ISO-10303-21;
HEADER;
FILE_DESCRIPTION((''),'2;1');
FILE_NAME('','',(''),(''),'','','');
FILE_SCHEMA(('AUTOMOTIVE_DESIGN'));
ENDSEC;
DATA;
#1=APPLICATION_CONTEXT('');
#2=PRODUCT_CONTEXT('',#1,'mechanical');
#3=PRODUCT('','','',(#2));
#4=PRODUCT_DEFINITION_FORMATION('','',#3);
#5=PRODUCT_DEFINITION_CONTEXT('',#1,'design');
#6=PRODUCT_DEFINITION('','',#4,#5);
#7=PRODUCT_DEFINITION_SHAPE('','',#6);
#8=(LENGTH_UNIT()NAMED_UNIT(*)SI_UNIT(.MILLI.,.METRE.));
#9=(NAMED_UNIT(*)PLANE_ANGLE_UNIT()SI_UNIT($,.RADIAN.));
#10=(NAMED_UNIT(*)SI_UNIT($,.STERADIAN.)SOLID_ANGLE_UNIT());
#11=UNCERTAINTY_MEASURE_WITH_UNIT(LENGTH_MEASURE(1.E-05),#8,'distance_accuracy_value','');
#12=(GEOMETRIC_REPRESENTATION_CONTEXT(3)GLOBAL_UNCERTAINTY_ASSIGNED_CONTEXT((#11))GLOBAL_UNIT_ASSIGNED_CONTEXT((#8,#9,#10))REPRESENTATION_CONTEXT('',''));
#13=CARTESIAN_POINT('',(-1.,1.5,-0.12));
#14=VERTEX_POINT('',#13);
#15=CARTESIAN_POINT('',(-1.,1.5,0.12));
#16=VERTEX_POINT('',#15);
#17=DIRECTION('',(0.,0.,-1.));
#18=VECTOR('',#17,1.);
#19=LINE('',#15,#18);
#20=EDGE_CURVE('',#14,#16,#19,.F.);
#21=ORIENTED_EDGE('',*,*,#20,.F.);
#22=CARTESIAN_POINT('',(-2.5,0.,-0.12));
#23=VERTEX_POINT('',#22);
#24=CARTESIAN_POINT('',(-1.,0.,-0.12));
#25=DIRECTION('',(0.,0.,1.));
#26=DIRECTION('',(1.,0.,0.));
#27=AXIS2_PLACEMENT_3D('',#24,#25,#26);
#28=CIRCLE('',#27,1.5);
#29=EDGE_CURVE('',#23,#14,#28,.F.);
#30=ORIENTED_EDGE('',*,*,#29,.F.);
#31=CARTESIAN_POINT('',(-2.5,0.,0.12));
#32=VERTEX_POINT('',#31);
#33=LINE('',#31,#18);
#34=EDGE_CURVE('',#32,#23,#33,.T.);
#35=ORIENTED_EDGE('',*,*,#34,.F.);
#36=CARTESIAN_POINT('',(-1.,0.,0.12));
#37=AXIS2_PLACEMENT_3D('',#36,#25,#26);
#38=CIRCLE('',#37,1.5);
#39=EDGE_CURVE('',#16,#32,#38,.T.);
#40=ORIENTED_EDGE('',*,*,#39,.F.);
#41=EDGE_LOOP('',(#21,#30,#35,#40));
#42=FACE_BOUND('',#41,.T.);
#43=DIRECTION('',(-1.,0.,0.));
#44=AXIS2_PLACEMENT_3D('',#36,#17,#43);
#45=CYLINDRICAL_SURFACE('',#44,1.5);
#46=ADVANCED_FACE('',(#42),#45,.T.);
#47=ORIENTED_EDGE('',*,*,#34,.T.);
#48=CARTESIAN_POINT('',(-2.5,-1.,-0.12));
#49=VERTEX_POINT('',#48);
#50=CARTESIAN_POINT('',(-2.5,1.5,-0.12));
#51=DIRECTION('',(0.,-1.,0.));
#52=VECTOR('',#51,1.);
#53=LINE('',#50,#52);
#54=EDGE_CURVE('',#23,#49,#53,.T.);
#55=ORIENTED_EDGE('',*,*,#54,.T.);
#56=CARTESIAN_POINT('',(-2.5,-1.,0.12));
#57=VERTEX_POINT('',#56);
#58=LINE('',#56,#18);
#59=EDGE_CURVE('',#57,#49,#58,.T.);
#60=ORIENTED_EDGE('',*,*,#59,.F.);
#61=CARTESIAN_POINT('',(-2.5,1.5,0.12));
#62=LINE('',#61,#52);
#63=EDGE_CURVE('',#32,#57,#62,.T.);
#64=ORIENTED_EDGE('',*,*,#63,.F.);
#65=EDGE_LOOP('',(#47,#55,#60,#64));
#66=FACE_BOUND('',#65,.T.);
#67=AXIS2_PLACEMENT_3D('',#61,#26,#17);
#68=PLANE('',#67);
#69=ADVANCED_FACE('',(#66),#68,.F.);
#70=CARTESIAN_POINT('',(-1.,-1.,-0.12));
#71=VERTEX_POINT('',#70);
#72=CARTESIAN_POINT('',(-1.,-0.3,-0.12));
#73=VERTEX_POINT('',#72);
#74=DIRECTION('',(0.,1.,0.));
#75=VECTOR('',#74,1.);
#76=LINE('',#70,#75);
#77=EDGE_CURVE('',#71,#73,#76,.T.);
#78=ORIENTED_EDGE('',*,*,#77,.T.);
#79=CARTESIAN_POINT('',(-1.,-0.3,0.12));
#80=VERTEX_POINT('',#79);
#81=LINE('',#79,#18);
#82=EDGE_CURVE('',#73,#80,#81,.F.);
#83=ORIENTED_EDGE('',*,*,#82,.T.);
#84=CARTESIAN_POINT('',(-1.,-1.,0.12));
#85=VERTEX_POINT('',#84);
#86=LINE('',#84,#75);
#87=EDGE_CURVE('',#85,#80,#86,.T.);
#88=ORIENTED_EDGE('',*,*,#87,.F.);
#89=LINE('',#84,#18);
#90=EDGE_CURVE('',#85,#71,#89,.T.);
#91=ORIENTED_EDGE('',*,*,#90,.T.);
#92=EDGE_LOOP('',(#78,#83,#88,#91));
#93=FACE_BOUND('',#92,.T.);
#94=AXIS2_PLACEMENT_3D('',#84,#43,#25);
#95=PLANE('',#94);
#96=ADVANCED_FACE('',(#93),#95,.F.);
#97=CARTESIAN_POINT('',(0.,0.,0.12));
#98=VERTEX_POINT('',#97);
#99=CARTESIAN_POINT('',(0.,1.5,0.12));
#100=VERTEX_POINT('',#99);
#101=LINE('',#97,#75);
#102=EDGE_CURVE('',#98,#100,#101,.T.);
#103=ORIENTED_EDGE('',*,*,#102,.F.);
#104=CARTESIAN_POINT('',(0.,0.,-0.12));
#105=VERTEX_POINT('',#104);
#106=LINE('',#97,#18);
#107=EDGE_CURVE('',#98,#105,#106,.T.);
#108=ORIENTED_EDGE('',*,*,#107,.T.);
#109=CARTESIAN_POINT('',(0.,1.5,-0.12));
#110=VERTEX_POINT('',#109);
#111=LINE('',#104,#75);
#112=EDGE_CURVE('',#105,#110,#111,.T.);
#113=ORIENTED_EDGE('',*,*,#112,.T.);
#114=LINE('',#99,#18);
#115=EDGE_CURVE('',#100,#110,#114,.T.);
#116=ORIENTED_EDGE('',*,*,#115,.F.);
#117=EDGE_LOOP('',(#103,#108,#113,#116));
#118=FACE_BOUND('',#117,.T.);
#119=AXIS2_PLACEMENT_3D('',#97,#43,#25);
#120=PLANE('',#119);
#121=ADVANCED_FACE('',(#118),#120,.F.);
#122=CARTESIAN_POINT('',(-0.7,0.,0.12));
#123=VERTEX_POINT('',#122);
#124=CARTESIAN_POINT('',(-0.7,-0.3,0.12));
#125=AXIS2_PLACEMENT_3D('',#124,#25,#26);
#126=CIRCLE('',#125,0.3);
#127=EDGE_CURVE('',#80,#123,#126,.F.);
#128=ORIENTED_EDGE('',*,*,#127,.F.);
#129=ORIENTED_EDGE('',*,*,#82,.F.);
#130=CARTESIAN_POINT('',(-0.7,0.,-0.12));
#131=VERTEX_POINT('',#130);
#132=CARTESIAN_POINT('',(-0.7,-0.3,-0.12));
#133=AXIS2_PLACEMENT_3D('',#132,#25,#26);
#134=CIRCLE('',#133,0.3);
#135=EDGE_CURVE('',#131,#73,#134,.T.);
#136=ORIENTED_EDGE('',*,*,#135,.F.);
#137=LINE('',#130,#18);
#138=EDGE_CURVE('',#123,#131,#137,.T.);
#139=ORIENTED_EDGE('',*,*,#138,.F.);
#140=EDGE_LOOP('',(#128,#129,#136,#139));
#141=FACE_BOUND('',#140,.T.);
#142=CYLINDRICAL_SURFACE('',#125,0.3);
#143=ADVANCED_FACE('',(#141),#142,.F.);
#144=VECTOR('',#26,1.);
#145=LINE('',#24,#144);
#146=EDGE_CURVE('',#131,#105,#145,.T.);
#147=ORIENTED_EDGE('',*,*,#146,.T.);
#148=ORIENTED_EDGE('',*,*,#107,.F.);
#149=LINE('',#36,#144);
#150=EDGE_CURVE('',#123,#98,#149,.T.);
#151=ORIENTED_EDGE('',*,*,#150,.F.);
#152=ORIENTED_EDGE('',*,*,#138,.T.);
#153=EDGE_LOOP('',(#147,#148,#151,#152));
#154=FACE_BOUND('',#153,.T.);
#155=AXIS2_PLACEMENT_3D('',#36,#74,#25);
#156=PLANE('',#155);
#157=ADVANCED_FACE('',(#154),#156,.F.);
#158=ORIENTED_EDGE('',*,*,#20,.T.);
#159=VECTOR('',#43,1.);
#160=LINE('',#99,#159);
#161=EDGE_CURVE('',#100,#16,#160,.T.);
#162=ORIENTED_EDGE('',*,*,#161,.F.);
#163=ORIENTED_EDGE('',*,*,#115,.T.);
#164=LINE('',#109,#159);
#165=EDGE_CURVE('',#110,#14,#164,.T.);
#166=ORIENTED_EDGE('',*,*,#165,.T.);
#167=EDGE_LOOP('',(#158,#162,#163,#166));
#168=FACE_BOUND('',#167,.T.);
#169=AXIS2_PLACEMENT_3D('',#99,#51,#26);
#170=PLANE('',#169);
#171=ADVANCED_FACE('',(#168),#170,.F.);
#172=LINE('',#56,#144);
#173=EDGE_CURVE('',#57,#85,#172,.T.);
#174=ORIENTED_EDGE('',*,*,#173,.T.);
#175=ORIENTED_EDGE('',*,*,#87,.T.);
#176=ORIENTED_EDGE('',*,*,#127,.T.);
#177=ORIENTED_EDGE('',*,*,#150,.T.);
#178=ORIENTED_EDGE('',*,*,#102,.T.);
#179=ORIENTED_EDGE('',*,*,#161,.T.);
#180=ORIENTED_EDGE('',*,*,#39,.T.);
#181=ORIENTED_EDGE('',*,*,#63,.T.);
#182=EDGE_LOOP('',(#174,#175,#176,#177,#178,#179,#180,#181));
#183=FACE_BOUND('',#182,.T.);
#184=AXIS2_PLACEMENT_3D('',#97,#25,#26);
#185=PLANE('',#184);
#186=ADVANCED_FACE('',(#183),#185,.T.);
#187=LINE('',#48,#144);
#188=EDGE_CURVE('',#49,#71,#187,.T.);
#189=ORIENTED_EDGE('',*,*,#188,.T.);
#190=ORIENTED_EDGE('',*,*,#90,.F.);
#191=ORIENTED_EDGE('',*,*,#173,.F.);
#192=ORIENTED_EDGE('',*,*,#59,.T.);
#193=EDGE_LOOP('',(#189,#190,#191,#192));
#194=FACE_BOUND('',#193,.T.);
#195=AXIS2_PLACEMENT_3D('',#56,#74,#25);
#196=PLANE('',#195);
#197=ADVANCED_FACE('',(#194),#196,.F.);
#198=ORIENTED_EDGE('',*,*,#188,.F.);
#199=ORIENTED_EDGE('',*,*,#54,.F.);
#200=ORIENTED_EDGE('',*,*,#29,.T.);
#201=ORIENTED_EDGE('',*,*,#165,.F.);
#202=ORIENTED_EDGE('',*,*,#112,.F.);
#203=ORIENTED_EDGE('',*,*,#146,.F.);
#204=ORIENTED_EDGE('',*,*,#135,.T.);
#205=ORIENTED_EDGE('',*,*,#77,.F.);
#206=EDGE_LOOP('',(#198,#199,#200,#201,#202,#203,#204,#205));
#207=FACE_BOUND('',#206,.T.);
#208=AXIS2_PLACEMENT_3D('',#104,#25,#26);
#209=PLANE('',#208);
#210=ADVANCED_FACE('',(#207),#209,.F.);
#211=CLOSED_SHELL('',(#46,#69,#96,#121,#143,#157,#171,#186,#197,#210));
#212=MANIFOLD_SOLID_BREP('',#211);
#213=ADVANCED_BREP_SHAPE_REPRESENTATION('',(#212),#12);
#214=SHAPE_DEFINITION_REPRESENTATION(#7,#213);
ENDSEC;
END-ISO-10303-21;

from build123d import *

# Parameters (mm, degrees)
BOSS_EXTRUDE1_DEPTH = 0.12
FILLET1_R           = 1.5
FILLET2_R           = 0.3


with BuildPart() as part:
    # Sketch1 → Boss-Extrude1 (new, symmetric)
    with BuildSketch(Plane.XY):
        Polygon((0, 0), (0, 1.5), (-2.5, 1.5), (-2.5, -1), (-1, -1), (-1, 0), align=None)
    extrude(amount=BOSS_EXTRUDE1_DEPTH, both=True)

    # Fillet1
    fillet1_edges = [part.edges().sort_by_distance(p)[0] for p in [
        (-2.5, 1.5, 0),
    ]]
    fillet(fillet1_edges, radius=FILLET1_R)

    # Fillet2
    fillet2_edges = [part.edges().sort_by_distance(p)[0] for p in [
        (-1, 0, 0),
    ]]
    fillet(fillet2_edges, radius=FILLET2_R)


solid = part.part
